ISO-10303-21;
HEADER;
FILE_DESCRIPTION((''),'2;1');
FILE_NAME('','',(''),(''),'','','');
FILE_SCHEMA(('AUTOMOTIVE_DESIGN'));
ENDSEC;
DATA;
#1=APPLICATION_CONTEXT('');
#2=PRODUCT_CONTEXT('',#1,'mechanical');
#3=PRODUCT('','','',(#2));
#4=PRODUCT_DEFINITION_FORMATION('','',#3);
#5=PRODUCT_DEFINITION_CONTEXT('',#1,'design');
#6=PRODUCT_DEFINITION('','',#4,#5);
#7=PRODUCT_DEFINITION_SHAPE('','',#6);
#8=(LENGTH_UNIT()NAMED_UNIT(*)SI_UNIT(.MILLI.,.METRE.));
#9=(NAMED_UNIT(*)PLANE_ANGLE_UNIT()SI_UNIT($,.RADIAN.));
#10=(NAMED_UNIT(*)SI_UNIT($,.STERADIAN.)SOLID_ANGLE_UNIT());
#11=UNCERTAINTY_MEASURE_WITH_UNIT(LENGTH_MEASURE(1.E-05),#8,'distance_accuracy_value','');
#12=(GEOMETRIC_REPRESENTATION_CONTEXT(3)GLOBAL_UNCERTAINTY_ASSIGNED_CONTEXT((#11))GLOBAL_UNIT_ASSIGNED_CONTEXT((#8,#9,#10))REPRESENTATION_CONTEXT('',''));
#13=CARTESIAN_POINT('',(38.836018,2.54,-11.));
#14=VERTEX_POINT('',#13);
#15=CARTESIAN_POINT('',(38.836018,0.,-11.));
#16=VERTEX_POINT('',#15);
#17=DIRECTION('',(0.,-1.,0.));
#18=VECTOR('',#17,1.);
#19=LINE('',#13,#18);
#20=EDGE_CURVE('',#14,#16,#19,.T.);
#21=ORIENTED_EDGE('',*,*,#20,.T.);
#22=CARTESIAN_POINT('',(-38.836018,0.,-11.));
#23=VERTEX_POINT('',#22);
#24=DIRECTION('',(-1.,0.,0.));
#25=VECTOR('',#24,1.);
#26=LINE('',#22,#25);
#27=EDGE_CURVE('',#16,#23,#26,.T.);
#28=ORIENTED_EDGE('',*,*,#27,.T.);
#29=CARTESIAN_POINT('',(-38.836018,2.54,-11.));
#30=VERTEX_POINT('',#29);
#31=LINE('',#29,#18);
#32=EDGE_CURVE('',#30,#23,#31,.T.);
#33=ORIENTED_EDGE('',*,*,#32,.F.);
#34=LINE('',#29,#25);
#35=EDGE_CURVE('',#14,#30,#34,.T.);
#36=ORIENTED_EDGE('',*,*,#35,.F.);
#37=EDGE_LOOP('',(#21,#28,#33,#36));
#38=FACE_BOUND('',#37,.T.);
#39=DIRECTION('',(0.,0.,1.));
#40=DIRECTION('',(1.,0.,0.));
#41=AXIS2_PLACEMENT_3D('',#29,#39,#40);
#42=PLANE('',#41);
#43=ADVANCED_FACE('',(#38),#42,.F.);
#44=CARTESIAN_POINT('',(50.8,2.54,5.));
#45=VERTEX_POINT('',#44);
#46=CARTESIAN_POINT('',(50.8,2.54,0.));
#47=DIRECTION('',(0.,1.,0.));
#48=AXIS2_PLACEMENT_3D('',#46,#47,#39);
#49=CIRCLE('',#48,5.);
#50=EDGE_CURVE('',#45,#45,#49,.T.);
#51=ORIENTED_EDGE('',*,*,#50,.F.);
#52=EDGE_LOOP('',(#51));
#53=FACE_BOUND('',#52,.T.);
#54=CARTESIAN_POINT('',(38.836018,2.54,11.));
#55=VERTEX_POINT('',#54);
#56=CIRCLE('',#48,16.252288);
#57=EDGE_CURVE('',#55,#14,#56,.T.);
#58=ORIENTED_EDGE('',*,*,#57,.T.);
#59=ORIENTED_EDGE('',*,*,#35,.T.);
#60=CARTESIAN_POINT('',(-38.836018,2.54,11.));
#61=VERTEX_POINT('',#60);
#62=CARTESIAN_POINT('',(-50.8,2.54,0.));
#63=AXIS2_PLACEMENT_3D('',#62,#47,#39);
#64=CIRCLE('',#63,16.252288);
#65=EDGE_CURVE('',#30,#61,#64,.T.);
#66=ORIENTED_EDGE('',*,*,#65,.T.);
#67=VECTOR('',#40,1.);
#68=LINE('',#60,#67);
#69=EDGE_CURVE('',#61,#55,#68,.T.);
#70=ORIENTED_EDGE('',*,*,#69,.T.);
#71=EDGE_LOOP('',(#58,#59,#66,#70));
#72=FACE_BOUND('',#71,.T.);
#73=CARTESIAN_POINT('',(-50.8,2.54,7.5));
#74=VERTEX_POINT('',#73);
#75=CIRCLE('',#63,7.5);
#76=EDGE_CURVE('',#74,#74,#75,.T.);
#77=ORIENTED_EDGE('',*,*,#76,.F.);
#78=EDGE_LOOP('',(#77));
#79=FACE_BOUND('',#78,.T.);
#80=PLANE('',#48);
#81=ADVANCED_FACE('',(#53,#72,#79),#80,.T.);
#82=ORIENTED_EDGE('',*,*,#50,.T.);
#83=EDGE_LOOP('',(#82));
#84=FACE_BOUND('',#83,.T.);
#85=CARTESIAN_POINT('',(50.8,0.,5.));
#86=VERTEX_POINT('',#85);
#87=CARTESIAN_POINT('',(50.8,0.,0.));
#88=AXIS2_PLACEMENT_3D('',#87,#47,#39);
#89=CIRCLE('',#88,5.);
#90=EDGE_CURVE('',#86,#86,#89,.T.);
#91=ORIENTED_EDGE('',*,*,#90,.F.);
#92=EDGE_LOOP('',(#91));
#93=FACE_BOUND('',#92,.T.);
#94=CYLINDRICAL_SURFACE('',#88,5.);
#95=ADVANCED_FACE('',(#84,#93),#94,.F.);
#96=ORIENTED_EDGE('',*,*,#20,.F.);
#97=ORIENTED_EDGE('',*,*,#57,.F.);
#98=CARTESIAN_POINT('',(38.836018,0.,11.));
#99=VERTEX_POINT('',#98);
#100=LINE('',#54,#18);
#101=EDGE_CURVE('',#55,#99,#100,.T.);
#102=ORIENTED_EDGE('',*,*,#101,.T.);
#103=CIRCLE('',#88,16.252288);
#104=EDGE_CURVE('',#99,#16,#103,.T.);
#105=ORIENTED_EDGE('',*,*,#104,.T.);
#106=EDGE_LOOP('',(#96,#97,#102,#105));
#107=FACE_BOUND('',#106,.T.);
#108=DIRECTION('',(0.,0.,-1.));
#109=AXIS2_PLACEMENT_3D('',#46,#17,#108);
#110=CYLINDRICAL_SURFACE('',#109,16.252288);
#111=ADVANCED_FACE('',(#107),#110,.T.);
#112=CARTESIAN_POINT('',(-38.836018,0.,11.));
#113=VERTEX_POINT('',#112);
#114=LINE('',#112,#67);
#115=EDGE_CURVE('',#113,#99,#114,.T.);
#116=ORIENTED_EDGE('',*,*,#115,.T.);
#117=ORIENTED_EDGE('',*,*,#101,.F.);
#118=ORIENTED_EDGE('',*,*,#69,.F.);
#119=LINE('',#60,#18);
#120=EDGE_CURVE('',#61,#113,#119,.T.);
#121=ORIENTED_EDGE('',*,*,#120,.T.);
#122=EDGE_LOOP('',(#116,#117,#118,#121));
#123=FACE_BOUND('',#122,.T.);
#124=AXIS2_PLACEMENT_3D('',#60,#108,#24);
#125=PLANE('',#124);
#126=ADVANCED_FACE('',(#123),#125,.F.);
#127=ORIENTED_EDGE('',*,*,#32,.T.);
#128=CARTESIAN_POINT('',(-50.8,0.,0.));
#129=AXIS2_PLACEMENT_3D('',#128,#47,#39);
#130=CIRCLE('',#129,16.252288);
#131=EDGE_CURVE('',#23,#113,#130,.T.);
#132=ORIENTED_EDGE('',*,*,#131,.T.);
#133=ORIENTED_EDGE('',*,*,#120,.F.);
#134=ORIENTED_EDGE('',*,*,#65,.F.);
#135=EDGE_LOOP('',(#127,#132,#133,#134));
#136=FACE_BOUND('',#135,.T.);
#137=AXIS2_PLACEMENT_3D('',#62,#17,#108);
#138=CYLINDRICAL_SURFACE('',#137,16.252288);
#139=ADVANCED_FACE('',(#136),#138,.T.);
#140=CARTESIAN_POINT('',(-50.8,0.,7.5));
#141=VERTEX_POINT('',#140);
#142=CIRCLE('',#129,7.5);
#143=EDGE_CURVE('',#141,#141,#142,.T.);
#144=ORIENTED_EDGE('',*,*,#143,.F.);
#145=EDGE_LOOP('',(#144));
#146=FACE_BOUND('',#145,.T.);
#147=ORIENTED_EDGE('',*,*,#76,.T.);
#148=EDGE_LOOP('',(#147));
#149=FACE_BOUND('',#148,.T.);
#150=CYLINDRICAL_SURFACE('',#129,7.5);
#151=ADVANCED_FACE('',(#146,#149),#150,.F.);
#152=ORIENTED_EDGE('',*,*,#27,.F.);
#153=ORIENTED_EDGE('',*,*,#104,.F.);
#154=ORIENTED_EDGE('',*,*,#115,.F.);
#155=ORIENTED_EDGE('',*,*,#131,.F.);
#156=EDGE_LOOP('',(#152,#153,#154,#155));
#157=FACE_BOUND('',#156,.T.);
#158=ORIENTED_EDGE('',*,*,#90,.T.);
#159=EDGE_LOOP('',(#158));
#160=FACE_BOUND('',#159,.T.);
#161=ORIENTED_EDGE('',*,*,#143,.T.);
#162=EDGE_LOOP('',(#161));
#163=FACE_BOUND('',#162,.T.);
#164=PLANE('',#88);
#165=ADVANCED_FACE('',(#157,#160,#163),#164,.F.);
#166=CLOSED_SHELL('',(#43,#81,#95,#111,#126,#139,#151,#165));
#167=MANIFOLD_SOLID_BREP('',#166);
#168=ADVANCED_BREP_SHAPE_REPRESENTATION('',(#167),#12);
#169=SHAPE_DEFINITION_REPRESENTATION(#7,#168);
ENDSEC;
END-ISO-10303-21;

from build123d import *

# Parameters (mm, degrees)
BOSS_EXTRUDE1_DEPTH = 2.54
SKETCH2_R           = 7.5
SKETCH2_R_2         = 5
CUT_EXTRUDE1_DEPTH  = 2.54


with BuildPart() as part:
    # Sketch1 → Boss-Extrude1 (new body)
    with BuildSketch(Plane(origin=(0, 0, 0), x_dir=(1, 0, 0), z_dir=(0, 1, 0))):
        with BuildLine():
            Line((-38.836017724, 11), (38.836017598, 11))
            ThreePointArc((38.836017598, 11), (67.052288298, 0), (38.836017598, -11))
            Line((38.836017598, -11), (-38.836017724, -11))
            ThreePointArc((-38.836017724, -11), (-67.052288205, 0), (-38.836017724, 11))
        make_face()
    extrude(amount=BOSS_EXTRUDE1_DEPTH)

    # Sketch2 → Cut-Extrude1 (cut)
    with BuildSketch(Plane(origin=(0, 2.54, 0), x_dir=(1, 0, 0), z_dir=(0, 1, 0))):
        with Locations((-50.8, 0)):
            Circle(SKETCH2_R)
        with Locations((50.8, 0)):
            Circle(SKETCH2_R_2)
    extrude(amount=-CUT_EXTRUDE1_DEPTH, mode=Mode.SUBTRACT)


solid = part.part
